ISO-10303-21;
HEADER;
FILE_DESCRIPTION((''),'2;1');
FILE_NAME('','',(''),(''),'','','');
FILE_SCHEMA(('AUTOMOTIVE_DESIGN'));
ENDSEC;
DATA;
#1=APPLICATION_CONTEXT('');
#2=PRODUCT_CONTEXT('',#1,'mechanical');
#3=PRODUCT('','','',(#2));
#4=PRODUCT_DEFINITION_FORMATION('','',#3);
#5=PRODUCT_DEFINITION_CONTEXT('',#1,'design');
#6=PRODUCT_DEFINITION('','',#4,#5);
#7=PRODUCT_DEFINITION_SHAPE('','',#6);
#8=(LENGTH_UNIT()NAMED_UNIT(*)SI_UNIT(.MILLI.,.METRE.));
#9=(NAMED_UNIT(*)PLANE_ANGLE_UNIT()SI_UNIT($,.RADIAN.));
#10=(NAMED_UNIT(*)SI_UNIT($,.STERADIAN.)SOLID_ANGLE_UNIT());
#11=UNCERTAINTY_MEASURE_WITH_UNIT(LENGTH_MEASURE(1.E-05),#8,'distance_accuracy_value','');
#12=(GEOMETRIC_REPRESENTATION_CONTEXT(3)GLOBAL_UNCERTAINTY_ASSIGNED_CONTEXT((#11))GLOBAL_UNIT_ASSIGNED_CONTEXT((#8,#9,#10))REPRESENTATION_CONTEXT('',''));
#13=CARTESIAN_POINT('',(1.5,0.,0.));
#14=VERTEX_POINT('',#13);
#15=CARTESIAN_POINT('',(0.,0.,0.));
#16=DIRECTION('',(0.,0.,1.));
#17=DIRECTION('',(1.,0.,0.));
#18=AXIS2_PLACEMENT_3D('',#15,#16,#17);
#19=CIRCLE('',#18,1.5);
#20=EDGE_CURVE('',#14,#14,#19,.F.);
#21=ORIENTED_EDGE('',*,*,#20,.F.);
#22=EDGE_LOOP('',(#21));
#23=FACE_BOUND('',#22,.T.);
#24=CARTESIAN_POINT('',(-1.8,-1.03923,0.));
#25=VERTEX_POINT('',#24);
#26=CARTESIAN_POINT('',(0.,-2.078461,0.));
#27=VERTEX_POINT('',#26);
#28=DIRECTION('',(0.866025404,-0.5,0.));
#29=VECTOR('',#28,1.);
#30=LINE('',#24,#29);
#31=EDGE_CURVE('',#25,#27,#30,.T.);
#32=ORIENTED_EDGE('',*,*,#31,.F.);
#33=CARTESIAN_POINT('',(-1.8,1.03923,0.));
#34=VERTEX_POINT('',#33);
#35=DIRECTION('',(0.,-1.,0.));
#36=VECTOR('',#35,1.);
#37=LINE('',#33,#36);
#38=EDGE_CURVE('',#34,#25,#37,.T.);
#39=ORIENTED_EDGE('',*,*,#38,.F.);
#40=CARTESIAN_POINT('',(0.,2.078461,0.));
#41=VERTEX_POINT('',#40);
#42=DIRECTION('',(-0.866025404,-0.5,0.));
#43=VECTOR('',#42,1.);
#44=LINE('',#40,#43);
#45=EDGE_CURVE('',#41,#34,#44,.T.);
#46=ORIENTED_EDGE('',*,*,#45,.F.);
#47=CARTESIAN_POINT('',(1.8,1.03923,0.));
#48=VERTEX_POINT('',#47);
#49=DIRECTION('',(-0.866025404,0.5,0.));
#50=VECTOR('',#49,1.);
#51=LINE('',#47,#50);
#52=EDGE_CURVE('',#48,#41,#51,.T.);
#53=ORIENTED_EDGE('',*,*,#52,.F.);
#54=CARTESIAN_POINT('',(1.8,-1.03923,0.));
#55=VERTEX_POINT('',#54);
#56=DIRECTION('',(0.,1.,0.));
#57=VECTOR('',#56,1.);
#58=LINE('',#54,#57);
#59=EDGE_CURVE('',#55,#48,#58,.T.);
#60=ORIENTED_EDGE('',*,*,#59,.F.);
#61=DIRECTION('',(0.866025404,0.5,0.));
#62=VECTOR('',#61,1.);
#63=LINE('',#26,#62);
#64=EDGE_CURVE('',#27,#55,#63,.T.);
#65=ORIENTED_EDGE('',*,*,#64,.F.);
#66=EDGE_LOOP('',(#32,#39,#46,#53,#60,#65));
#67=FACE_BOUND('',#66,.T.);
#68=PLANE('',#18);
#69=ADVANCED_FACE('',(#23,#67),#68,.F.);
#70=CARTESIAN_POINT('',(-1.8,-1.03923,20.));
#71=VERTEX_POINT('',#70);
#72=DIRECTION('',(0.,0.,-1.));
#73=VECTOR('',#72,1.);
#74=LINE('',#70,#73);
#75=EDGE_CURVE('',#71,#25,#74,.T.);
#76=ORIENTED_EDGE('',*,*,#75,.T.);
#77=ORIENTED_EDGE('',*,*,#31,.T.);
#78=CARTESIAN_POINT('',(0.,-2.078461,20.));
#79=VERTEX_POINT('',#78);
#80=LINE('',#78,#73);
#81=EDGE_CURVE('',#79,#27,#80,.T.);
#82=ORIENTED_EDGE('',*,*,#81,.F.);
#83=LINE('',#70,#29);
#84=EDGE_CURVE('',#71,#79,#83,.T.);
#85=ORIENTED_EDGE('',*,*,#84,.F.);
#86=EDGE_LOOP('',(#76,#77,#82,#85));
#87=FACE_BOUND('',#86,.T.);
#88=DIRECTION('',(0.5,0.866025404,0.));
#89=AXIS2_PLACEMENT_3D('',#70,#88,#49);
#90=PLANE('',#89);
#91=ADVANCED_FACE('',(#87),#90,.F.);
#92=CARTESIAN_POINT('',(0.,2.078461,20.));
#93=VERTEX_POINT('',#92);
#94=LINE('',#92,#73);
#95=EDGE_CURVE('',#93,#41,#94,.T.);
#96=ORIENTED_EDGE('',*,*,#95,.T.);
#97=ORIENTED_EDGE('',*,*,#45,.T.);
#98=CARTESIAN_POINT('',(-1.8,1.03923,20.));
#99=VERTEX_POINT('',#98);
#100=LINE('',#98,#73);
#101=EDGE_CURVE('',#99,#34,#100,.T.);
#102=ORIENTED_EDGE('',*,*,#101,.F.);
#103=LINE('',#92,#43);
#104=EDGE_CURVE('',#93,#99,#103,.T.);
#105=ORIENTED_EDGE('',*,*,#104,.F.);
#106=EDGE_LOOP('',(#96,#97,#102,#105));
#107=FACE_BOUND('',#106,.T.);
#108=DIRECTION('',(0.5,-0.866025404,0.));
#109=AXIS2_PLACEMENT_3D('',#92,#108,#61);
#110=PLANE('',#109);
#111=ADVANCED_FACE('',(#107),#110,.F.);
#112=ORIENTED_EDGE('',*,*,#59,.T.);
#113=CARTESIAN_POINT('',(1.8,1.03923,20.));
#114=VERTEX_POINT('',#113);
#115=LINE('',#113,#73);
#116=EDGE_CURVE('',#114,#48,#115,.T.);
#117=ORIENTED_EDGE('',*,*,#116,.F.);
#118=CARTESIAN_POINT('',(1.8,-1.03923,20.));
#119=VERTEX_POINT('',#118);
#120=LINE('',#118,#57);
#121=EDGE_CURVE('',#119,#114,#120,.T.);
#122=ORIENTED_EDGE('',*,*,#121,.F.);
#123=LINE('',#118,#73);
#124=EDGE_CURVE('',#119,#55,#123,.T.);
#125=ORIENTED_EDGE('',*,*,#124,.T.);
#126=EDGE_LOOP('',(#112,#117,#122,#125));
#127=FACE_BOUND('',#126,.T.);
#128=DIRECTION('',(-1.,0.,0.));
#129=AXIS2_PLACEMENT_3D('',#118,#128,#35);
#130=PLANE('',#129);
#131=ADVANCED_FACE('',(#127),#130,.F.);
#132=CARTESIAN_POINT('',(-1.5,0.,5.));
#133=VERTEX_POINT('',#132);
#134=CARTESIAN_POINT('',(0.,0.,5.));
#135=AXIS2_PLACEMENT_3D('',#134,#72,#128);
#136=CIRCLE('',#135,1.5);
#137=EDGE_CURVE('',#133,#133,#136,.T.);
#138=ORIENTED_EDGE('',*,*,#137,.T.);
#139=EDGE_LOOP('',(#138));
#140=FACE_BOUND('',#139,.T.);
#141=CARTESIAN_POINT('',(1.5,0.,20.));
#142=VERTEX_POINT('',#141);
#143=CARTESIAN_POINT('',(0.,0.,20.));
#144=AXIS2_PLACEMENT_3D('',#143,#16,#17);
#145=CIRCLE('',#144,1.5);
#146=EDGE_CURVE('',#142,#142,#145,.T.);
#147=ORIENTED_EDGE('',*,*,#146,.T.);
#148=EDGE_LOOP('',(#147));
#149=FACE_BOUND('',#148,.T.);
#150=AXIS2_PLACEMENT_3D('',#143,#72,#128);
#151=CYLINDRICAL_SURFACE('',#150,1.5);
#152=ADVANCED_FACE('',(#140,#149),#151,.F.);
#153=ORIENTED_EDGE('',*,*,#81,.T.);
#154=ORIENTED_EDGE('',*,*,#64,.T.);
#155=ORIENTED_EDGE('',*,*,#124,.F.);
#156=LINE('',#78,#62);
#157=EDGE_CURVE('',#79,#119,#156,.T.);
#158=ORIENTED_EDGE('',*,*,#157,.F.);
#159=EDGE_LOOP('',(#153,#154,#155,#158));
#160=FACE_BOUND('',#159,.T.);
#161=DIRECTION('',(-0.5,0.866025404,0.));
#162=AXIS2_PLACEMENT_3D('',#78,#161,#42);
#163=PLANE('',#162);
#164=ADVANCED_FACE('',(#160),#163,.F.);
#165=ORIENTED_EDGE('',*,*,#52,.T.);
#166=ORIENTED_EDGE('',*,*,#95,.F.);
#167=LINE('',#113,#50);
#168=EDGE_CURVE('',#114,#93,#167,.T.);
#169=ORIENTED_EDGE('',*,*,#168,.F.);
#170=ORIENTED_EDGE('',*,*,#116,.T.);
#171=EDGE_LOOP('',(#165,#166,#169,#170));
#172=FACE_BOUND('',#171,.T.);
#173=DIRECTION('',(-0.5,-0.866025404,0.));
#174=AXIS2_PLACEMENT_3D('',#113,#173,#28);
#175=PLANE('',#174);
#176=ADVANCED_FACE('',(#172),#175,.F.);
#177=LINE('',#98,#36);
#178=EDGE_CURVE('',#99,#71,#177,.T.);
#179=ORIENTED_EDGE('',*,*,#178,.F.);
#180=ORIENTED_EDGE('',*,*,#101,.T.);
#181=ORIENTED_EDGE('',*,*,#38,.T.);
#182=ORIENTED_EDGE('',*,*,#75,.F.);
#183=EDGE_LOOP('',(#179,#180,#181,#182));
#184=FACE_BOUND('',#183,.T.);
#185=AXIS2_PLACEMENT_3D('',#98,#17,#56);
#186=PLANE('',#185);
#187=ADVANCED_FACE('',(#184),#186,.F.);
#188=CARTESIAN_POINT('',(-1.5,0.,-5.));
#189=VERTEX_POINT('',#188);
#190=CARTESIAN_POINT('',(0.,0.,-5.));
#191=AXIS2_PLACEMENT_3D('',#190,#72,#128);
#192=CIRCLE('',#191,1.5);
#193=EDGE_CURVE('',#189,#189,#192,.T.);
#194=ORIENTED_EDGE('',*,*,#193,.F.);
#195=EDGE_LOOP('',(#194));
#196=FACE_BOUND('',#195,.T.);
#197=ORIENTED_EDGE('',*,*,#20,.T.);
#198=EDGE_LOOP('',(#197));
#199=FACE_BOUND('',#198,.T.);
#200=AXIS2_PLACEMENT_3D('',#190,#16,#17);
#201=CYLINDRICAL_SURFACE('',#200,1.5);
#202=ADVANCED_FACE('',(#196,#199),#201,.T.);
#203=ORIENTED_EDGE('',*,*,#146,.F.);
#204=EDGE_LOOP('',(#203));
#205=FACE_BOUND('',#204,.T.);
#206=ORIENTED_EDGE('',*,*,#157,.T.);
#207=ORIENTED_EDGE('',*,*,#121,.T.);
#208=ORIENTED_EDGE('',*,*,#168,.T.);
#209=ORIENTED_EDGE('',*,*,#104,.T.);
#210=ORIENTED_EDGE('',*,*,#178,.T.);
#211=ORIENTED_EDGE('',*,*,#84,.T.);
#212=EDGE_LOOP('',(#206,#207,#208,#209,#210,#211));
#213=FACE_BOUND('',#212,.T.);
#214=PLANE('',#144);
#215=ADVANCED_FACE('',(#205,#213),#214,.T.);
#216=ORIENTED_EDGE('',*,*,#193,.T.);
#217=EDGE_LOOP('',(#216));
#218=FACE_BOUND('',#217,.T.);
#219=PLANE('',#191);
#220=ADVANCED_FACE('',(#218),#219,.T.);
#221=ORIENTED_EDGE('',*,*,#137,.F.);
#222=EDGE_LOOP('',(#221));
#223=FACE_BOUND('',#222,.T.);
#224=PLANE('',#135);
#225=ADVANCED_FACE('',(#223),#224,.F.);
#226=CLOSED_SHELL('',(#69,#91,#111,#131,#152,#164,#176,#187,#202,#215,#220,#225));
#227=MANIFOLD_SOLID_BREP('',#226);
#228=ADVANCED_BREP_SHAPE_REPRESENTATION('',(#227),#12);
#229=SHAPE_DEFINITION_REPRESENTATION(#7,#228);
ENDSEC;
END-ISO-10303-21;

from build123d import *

# Parameters (mm, degrees)
SKETCH_1_R      = 1.5
EXTRUDE_1_DEPTH = 20
SKETCH_2_R      = 1.5
EXTRUDE_2_DEPTH = 5


with BuildPart() as part:
    # 草图1 → 凸台-拉伸1 (new body)
    with BuildSketch(Plane.XY):
        Polygon((0, 2.078460969), (-1.8, 1.039230485), (-1.8, -1.039230485), (0, -2.078460969), (1.8, -1.039230485), (1.8, 1.039230485), align=None)
        Circle(SKETCH_1_R, mode=Mode.SUBTRACT)
    extrude(amount=EXTRUDE_1_DEPTH)

    # 草图2 → 凸台-拉伸2 (add, symmetric)
    with BuildSketch(Plane(origin=(0, 0, 0), x_dir=(-1, 0, 0), z_dir=(0, 0, -1))):
        Circle(SKETCH_2_R)
    extrude(amount=EXTRUDE_2_DEPTH, both=True)


solid = part.part
